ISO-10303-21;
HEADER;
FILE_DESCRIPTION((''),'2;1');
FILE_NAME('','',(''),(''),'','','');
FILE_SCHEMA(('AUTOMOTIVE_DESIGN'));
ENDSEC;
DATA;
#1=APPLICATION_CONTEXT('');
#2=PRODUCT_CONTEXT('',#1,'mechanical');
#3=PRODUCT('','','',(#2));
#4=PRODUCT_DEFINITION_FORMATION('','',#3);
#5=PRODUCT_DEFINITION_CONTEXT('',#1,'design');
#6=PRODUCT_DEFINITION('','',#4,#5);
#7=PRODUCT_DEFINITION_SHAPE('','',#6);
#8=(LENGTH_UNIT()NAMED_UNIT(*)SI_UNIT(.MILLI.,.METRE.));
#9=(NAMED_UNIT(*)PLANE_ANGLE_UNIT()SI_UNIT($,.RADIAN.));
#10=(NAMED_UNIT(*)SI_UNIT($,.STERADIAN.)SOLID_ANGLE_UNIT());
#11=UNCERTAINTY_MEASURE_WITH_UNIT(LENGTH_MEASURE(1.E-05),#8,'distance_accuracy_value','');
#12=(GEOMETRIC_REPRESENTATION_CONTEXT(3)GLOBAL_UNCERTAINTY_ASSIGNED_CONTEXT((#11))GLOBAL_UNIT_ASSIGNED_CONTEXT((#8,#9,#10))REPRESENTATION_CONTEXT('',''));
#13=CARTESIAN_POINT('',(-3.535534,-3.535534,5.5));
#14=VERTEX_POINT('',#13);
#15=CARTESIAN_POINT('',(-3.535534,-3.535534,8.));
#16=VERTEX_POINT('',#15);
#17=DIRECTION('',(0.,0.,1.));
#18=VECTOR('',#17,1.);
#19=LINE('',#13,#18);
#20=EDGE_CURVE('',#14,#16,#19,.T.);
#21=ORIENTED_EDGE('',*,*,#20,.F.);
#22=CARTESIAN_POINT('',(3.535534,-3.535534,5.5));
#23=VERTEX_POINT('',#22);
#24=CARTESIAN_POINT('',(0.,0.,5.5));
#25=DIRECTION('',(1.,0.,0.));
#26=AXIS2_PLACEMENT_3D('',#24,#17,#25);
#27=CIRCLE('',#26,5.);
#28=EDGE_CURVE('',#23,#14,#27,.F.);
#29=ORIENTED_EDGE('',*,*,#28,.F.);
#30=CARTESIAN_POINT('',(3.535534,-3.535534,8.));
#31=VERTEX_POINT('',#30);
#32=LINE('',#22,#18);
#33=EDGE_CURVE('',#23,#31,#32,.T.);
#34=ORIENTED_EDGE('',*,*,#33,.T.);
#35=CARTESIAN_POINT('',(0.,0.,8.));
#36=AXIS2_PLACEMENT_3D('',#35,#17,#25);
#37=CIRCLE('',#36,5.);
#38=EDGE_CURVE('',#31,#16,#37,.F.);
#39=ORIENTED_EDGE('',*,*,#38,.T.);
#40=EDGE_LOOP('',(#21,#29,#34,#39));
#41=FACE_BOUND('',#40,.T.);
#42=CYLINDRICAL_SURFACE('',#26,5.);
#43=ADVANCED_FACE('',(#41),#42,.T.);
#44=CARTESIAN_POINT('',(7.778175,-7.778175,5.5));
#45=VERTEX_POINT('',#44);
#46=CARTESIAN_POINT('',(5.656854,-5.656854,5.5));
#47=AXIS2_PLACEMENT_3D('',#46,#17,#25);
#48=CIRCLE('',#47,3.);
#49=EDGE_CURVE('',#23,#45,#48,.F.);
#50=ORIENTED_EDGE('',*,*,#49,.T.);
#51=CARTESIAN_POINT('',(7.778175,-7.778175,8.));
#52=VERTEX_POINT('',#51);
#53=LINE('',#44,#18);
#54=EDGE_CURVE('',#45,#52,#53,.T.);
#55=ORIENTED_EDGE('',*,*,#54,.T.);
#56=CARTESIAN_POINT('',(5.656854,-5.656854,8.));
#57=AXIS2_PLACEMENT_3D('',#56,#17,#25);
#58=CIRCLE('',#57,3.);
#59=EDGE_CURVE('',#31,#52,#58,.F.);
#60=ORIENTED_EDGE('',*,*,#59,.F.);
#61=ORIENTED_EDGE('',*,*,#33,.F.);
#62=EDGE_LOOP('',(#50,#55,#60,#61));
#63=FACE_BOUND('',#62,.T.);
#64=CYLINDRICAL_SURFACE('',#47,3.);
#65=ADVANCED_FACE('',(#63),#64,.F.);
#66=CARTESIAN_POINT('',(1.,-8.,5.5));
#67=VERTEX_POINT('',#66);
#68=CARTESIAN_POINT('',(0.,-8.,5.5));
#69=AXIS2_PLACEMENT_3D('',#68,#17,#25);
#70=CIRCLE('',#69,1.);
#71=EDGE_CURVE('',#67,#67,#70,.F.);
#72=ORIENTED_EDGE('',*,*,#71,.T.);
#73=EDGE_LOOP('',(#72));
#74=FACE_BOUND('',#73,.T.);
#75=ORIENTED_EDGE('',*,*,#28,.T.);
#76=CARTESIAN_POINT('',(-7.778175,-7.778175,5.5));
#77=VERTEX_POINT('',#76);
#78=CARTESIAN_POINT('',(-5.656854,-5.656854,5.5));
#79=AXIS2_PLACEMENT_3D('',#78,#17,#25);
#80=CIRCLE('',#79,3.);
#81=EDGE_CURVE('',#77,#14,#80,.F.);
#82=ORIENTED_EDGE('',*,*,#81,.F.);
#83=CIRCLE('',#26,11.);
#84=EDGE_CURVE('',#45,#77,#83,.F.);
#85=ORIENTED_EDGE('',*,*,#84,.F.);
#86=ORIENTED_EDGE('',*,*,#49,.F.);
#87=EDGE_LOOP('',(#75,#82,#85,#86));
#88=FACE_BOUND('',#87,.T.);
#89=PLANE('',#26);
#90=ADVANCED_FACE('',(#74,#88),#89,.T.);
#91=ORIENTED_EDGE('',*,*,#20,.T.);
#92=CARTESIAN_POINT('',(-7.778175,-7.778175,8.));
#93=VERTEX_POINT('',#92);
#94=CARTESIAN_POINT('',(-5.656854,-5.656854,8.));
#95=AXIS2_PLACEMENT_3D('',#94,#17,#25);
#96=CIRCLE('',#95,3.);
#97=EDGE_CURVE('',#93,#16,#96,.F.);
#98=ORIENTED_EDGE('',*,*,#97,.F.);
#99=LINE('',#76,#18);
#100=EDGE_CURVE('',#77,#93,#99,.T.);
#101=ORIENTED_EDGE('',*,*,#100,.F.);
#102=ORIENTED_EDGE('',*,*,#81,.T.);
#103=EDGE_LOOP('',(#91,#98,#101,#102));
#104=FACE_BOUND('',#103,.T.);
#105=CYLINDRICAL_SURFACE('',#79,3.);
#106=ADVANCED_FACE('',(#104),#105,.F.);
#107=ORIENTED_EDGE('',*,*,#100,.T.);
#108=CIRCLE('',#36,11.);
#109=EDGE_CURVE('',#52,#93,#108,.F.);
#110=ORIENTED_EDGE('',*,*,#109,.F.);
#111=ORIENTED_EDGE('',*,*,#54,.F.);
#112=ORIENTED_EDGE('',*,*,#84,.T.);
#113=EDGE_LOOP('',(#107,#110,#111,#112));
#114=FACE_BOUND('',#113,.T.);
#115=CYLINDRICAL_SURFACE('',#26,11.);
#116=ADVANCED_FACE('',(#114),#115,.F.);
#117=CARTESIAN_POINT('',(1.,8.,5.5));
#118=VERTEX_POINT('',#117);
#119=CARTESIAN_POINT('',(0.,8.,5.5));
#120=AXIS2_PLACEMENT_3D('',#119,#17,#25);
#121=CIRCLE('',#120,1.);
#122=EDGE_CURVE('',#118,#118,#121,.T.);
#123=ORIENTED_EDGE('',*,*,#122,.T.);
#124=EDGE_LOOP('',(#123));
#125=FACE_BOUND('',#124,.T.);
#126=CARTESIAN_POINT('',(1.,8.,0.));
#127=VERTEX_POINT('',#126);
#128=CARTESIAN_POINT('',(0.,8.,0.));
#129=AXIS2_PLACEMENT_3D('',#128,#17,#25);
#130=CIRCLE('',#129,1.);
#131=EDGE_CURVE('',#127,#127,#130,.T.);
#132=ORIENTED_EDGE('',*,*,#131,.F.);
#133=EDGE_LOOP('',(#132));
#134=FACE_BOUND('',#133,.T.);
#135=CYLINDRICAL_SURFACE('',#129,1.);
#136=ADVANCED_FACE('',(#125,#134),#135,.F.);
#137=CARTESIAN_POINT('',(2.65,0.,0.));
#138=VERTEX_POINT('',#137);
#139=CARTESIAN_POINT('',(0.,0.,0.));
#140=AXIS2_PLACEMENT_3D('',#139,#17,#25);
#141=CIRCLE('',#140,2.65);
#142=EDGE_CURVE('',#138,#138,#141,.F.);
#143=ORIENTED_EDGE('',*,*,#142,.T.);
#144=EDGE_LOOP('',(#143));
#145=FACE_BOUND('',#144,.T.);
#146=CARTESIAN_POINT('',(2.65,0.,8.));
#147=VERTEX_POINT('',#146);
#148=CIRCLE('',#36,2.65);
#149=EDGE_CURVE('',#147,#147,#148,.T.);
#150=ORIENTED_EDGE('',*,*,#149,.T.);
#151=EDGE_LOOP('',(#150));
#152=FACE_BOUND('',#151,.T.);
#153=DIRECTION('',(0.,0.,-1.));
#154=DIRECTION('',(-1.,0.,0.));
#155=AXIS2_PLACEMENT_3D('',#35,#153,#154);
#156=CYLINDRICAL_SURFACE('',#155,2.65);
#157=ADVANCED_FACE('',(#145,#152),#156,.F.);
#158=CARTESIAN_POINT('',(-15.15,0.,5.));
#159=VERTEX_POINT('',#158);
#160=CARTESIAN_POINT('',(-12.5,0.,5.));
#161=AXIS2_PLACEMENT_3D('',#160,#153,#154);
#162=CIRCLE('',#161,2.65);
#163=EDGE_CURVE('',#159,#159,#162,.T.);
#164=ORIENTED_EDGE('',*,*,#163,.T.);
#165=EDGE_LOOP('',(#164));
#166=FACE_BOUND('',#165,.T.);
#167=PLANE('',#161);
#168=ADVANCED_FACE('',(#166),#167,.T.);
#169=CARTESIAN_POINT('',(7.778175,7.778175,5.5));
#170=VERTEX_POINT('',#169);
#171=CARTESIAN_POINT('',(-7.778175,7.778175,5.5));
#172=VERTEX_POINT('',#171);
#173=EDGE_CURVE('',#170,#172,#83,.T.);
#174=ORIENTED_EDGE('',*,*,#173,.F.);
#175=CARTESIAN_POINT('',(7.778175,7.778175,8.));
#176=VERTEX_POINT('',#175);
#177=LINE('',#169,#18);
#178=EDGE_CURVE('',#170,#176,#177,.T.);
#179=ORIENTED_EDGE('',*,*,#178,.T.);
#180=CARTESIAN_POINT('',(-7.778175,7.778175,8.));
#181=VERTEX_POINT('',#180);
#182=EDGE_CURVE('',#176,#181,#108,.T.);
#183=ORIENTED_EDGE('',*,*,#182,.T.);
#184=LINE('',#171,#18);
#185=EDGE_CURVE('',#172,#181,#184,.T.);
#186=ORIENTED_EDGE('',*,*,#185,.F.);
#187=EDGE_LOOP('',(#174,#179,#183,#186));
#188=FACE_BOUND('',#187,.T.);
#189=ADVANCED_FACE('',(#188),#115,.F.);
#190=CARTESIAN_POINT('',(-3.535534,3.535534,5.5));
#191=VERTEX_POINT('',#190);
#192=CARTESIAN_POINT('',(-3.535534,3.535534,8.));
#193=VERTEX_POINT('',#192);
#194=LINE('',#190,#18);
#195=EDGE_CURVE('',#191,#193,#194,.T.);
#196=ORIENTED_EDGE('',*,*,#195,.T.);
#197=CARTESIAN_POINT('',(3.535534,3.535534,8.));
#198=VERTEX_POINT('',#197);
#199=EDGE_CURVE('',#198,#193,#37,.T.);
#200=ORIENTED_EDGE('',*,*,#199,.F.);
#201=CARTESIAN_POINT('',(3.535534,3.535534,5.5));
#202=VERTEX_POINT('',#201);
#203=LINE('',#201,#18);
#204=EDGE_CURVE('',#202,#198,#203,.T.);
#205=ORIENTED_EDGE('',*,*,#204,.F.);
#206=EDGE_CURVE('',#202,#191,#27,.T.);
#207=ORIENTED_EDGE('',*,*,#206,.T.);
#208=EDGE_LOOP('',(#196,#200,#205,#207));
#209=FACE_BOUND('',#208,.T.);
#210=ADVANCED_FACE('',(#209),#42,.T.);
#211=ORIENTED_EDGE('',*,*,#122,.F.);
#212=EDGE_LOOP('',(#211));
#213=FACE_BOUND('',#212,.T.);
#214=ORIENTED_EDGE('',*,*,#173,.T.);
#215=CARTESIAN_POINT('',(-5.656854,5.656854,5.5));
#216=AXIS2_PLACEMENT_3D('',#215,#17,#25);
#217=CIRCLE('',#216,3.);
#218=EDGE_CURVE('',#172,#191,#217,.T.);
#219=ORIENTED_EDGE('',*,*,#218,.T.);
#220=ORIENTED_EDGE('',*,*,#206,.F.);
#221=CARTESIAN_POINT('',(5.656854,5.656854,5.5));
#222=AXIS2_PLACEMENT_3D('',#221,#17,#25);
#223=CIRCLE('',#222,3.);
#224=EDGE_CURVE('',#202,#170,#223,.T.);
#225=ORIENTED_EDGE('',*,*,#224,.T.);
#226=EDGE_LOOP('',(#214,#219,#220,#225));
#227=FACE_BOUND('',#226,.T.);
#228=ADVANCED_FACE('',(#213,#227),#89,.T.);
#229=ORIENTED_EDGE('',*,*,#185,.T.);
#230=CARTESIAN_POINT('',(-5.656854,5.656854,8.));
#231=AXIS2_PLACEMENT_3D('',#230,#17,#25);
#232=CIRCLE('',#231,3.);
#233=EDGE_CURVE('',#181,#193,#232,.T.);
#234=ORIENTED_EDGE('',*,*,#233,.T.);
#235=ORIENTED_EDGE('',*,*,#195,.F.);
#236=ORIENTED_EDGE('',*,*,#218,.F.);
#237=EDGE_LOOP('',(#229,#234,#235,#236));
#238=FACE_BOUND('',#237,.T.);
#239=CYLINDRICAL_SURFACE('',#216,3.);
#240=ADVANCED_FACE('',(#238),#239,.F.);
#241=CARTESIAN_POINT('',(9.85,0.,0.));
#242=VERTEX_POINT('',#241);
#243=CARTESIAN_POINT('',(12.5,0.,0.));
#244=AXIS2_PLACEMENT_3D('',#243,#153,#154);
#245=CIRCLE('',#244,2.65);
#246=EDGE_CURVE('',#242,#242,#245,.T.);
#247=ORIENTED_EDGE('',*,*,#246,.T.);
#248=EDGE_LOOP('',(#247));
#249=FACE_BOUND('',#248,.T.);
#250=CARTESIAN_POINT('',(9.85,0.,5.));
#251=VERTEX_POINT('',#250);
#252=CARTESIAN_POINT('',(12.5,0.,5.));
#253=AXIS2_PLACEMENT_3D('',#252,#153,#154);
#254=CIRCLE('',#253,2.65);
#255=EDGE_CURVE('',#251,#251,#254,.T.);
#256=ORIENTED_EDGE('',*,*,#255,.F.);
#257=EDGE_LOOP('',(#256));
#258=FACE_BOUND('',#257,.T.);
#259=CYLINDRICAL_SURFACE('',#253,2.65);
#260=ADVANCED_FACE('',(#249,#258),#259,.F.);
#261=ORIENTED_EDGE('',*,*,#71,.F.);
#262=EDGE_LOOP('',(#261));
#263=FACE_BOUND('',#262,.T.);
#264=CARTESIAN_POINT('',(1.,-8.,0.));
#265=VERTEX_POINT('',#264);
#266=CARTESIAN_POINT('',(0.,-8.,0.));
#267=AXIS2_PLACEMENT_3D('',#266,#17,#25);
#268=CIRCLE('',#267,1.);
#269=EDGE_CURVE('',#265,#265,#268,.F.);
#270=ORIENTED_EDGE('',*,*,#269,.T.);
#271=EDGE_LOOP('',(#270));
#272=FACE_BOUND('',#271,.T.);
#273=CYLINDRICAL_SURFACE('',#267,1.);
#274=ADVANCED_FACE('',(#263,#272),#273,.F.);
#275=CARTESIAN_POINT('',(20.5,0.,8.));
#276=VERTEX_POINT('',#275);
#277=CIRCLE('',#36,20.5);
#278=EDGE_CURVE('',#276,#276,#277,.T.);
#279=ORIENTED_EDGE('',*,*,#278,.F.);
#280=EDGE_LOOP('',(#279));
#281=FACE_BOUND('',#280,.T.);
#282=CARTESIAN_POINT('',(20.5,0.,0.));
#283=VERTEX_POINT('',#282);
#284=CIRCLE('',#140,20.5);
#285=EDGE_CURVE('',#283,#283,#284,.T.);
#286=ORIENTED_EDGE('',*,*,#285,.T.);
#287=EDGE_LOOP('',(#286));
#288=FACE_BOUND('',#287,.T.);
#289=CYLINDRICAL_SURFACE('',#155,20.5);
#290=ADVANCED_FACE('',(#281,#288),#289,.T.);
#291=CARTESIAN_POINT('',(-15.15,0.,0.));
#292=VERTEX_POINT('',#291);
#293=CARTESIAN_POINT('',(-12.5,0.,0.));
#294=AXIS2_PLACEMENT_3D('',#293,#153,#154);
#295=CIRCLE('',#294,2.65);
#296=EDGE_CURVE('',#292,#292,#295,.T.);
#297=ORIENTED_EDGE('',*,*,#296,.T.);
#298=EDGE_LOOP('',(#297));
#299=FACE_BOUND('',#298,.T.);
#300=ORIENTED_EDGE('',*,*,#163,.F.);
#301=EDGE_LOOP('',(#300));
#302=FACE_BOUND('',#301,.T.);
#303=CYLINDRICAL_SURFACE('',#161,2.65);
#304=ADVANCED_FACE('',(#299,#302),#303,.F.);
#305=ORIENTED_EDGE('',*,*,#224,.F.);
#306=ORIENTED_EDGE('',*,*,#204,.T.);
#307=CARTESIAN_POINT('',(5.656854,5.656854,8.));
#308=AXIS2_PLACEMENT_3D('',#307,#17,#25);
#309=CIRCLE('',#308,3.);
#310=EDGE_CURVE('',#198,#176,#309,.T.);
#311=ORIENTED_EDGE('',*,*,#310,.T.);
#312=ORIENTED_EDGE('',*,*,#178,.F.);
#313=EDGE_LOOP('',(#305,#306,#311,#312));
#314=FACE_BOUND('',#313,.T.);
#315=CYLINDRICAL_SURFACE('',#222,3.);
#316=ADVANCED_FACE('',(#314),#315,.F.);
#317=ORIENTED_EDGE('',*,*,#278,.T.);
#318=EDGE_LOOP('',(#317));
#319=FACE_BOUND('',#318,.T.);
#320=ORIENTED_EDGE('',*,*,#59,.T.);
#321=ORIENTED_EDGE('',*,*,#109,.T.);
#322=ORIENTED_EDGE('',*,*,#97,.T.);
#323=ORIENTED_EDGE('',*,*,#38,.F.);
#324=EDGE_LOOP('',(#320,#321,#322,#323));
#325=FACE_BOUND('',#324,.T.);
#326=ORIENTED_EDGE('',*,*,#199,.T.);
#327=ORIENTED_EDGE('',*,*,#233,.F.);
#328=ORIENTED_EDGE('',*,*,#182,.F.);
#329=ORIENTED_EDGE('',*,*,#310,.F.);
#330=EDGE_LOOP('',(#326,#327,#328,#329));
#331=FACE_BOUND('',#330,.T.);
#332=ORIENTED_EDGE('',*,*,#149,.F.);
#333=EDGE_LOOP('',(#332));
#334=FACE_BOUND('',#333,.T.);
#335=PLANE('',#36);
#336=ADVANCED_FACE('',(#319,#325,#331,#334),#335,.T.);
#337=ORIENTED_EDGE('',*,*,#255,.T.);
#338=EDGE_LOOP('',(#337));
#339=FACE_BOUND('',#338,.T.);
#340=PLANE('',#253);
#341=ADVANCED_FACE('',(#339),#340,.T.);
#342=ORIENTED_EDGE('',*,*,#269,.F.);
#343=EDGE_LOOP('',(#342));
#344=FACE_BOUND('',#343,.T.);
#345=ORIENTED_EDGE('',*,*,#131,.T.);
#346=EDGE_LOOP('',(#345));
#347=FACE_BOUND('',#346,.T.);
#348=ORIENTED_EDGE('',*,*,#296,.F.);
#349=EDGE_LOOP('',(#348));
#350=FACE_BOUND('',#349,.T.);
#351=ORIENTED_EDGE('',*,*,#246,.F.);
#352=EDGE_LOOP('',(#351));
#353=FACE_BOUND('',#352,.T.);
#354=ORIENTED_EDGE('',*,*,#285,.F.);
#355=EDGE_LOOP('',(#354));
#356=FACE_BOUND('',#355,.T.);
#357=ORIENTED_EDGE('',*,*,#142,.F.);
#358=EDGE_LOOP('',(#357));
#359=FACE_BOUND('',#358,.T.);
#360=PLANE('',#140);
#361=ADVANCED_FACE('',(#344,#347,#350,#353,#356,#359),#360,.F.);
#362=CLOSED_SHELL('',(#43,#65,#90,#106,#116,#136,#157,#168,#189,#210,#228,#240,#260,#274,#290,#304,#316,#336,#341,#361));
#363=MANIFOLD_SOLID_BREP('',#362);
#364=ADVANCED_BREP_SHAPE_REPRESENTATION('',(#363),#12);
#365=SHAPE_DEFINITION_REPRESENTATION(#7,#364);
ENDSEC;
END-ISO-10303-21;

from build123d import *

# Parameters (mm, degrees)
SKETCH_1_R               = 20.5
EXTRUDE_1_DEPTH          = 8
CUT_EXTRUDE_1_DEPTH      = 31.074906484
CUT_EXTRUDE_1_DEPTH_BACK = 31.074906484
SKETCH_1_3_R             = 2.65
SKETCH_9_R               = 1
CUT_EXTRUDE_2_DEPTH      = 2.5
SKETCH_9_3_R             = 1
CUT_EXTRUDE_3_DEPTH      = 31.074906484
SKETCH_12_R              = 2.65
CUT_EXTRUDE_4_DEPTH      = 5


with BuildPart() as part:
    # 스케치1 → 보스-돌출1 (new body)
    with BuildSketch(Plane.XY):
        Circle(SKETCH_1_R)
    extrude(amount=EXTRUDE_1_DEPTH)

    # 스케치1<3> → 컷-돌출1 (cut, two sides: drawn at the far end of the back side and taken through both)
    with BuildSketch(Plane.XY.offset(-CUT_EXTRUDE_1_DEPTH_BACK)):
        Circle(SKETCH_1_3_R)
    extrude(amount=CUT_EXTRUDE_1_DEPTH + CUT_EXTRUDE_1_DEPTH_BACK, mode=Mode.SUBTRACT)

    # 스케치9 → 컷-돌출2 (cut)
    # profile 1 of 2: a face of its own
    with BuildSketch(Plane.XY.offset(8)):
        with BuildLine():
            ThreePointArc((3.535533906, 3.535533906), (7.778174593, 3.535533906), (7.778174593, 7.778174593))
            ThreePointArc((7.778174593, 7.778174593), (0, 11), (-7.778174593, 7.778174593))
            ThreePointArc((-7.778174593, 7.778174593), (-7.778174593, 3.535533906), (-3.535533906, 3.535533906))
            ThreePointArc((-3.535533906, 3.535533906), (0, 5), (3.535533906, 3.535533906))
        make_face()
        with Locations((0, 8)):
            Circle(SKETCH_9_R, mode=Mode.SUBTRACT)
    # profile 2 of 2: a face of its own
    with BuildSketch(Plane.XY.offset(8)):
        with BuildLine():
            ThreePointArc((-7.778174593, -7.778174593), (0, -11), (7.778174593, -7.778174593))
            ThreePointArc((7.778174593, -7.778174593), (7.778174593, -3.535533906), (3.535533906, -3.535533906))
            ThreePointArc((3.535533906, -3.535533906), (0, -5), (-3.535533906, -3.535533906))
            ThreePointArc((-3.535533906, -3.535533906), (-7.778174593, -3.535533906), (-7.778174593, -7.778174593))
        make_face()
        with Locations((0, -8)):
            Circle(SKETCH_9_R, mode=Mode.SUBTRACT)
    extrude(amount=-CUT_EXTRUDE_2_DEPTH, mode=Mode.SUBTRACT)

    # 스케치9<3> → 컷-돌출3 (cut, through all)
    with BuildSketch(Plane.XY.offset(8)):
        with Locations((0, 8)):
            Circle(SKETCH_9_3_R)
        with Locations((0, -8)):
            Circle(SKETCH_9_3_R)
    extrude(amount=-CUT_EXTRUDE_3_DEPTH, mode=Mode.SUBTRACT)

    # 스케치12 → 컷-돌출4 (cut)
    with BuildSketch(Plane(origin=(0, 0, 0), x_dir=(-1, 0, 0), z_dir=(0, 0, -1))):
        with Locations((-12.5, 0)):
            Circle(SKETCH_12_R)
        with Locations((12.5, 0)):
            Circle(SKETCH_12_R)
    extrude(amount=-CUT_EXTRUDE_4_DEPTH, mode=Mode.SUBTRACT)


solid = part.part
